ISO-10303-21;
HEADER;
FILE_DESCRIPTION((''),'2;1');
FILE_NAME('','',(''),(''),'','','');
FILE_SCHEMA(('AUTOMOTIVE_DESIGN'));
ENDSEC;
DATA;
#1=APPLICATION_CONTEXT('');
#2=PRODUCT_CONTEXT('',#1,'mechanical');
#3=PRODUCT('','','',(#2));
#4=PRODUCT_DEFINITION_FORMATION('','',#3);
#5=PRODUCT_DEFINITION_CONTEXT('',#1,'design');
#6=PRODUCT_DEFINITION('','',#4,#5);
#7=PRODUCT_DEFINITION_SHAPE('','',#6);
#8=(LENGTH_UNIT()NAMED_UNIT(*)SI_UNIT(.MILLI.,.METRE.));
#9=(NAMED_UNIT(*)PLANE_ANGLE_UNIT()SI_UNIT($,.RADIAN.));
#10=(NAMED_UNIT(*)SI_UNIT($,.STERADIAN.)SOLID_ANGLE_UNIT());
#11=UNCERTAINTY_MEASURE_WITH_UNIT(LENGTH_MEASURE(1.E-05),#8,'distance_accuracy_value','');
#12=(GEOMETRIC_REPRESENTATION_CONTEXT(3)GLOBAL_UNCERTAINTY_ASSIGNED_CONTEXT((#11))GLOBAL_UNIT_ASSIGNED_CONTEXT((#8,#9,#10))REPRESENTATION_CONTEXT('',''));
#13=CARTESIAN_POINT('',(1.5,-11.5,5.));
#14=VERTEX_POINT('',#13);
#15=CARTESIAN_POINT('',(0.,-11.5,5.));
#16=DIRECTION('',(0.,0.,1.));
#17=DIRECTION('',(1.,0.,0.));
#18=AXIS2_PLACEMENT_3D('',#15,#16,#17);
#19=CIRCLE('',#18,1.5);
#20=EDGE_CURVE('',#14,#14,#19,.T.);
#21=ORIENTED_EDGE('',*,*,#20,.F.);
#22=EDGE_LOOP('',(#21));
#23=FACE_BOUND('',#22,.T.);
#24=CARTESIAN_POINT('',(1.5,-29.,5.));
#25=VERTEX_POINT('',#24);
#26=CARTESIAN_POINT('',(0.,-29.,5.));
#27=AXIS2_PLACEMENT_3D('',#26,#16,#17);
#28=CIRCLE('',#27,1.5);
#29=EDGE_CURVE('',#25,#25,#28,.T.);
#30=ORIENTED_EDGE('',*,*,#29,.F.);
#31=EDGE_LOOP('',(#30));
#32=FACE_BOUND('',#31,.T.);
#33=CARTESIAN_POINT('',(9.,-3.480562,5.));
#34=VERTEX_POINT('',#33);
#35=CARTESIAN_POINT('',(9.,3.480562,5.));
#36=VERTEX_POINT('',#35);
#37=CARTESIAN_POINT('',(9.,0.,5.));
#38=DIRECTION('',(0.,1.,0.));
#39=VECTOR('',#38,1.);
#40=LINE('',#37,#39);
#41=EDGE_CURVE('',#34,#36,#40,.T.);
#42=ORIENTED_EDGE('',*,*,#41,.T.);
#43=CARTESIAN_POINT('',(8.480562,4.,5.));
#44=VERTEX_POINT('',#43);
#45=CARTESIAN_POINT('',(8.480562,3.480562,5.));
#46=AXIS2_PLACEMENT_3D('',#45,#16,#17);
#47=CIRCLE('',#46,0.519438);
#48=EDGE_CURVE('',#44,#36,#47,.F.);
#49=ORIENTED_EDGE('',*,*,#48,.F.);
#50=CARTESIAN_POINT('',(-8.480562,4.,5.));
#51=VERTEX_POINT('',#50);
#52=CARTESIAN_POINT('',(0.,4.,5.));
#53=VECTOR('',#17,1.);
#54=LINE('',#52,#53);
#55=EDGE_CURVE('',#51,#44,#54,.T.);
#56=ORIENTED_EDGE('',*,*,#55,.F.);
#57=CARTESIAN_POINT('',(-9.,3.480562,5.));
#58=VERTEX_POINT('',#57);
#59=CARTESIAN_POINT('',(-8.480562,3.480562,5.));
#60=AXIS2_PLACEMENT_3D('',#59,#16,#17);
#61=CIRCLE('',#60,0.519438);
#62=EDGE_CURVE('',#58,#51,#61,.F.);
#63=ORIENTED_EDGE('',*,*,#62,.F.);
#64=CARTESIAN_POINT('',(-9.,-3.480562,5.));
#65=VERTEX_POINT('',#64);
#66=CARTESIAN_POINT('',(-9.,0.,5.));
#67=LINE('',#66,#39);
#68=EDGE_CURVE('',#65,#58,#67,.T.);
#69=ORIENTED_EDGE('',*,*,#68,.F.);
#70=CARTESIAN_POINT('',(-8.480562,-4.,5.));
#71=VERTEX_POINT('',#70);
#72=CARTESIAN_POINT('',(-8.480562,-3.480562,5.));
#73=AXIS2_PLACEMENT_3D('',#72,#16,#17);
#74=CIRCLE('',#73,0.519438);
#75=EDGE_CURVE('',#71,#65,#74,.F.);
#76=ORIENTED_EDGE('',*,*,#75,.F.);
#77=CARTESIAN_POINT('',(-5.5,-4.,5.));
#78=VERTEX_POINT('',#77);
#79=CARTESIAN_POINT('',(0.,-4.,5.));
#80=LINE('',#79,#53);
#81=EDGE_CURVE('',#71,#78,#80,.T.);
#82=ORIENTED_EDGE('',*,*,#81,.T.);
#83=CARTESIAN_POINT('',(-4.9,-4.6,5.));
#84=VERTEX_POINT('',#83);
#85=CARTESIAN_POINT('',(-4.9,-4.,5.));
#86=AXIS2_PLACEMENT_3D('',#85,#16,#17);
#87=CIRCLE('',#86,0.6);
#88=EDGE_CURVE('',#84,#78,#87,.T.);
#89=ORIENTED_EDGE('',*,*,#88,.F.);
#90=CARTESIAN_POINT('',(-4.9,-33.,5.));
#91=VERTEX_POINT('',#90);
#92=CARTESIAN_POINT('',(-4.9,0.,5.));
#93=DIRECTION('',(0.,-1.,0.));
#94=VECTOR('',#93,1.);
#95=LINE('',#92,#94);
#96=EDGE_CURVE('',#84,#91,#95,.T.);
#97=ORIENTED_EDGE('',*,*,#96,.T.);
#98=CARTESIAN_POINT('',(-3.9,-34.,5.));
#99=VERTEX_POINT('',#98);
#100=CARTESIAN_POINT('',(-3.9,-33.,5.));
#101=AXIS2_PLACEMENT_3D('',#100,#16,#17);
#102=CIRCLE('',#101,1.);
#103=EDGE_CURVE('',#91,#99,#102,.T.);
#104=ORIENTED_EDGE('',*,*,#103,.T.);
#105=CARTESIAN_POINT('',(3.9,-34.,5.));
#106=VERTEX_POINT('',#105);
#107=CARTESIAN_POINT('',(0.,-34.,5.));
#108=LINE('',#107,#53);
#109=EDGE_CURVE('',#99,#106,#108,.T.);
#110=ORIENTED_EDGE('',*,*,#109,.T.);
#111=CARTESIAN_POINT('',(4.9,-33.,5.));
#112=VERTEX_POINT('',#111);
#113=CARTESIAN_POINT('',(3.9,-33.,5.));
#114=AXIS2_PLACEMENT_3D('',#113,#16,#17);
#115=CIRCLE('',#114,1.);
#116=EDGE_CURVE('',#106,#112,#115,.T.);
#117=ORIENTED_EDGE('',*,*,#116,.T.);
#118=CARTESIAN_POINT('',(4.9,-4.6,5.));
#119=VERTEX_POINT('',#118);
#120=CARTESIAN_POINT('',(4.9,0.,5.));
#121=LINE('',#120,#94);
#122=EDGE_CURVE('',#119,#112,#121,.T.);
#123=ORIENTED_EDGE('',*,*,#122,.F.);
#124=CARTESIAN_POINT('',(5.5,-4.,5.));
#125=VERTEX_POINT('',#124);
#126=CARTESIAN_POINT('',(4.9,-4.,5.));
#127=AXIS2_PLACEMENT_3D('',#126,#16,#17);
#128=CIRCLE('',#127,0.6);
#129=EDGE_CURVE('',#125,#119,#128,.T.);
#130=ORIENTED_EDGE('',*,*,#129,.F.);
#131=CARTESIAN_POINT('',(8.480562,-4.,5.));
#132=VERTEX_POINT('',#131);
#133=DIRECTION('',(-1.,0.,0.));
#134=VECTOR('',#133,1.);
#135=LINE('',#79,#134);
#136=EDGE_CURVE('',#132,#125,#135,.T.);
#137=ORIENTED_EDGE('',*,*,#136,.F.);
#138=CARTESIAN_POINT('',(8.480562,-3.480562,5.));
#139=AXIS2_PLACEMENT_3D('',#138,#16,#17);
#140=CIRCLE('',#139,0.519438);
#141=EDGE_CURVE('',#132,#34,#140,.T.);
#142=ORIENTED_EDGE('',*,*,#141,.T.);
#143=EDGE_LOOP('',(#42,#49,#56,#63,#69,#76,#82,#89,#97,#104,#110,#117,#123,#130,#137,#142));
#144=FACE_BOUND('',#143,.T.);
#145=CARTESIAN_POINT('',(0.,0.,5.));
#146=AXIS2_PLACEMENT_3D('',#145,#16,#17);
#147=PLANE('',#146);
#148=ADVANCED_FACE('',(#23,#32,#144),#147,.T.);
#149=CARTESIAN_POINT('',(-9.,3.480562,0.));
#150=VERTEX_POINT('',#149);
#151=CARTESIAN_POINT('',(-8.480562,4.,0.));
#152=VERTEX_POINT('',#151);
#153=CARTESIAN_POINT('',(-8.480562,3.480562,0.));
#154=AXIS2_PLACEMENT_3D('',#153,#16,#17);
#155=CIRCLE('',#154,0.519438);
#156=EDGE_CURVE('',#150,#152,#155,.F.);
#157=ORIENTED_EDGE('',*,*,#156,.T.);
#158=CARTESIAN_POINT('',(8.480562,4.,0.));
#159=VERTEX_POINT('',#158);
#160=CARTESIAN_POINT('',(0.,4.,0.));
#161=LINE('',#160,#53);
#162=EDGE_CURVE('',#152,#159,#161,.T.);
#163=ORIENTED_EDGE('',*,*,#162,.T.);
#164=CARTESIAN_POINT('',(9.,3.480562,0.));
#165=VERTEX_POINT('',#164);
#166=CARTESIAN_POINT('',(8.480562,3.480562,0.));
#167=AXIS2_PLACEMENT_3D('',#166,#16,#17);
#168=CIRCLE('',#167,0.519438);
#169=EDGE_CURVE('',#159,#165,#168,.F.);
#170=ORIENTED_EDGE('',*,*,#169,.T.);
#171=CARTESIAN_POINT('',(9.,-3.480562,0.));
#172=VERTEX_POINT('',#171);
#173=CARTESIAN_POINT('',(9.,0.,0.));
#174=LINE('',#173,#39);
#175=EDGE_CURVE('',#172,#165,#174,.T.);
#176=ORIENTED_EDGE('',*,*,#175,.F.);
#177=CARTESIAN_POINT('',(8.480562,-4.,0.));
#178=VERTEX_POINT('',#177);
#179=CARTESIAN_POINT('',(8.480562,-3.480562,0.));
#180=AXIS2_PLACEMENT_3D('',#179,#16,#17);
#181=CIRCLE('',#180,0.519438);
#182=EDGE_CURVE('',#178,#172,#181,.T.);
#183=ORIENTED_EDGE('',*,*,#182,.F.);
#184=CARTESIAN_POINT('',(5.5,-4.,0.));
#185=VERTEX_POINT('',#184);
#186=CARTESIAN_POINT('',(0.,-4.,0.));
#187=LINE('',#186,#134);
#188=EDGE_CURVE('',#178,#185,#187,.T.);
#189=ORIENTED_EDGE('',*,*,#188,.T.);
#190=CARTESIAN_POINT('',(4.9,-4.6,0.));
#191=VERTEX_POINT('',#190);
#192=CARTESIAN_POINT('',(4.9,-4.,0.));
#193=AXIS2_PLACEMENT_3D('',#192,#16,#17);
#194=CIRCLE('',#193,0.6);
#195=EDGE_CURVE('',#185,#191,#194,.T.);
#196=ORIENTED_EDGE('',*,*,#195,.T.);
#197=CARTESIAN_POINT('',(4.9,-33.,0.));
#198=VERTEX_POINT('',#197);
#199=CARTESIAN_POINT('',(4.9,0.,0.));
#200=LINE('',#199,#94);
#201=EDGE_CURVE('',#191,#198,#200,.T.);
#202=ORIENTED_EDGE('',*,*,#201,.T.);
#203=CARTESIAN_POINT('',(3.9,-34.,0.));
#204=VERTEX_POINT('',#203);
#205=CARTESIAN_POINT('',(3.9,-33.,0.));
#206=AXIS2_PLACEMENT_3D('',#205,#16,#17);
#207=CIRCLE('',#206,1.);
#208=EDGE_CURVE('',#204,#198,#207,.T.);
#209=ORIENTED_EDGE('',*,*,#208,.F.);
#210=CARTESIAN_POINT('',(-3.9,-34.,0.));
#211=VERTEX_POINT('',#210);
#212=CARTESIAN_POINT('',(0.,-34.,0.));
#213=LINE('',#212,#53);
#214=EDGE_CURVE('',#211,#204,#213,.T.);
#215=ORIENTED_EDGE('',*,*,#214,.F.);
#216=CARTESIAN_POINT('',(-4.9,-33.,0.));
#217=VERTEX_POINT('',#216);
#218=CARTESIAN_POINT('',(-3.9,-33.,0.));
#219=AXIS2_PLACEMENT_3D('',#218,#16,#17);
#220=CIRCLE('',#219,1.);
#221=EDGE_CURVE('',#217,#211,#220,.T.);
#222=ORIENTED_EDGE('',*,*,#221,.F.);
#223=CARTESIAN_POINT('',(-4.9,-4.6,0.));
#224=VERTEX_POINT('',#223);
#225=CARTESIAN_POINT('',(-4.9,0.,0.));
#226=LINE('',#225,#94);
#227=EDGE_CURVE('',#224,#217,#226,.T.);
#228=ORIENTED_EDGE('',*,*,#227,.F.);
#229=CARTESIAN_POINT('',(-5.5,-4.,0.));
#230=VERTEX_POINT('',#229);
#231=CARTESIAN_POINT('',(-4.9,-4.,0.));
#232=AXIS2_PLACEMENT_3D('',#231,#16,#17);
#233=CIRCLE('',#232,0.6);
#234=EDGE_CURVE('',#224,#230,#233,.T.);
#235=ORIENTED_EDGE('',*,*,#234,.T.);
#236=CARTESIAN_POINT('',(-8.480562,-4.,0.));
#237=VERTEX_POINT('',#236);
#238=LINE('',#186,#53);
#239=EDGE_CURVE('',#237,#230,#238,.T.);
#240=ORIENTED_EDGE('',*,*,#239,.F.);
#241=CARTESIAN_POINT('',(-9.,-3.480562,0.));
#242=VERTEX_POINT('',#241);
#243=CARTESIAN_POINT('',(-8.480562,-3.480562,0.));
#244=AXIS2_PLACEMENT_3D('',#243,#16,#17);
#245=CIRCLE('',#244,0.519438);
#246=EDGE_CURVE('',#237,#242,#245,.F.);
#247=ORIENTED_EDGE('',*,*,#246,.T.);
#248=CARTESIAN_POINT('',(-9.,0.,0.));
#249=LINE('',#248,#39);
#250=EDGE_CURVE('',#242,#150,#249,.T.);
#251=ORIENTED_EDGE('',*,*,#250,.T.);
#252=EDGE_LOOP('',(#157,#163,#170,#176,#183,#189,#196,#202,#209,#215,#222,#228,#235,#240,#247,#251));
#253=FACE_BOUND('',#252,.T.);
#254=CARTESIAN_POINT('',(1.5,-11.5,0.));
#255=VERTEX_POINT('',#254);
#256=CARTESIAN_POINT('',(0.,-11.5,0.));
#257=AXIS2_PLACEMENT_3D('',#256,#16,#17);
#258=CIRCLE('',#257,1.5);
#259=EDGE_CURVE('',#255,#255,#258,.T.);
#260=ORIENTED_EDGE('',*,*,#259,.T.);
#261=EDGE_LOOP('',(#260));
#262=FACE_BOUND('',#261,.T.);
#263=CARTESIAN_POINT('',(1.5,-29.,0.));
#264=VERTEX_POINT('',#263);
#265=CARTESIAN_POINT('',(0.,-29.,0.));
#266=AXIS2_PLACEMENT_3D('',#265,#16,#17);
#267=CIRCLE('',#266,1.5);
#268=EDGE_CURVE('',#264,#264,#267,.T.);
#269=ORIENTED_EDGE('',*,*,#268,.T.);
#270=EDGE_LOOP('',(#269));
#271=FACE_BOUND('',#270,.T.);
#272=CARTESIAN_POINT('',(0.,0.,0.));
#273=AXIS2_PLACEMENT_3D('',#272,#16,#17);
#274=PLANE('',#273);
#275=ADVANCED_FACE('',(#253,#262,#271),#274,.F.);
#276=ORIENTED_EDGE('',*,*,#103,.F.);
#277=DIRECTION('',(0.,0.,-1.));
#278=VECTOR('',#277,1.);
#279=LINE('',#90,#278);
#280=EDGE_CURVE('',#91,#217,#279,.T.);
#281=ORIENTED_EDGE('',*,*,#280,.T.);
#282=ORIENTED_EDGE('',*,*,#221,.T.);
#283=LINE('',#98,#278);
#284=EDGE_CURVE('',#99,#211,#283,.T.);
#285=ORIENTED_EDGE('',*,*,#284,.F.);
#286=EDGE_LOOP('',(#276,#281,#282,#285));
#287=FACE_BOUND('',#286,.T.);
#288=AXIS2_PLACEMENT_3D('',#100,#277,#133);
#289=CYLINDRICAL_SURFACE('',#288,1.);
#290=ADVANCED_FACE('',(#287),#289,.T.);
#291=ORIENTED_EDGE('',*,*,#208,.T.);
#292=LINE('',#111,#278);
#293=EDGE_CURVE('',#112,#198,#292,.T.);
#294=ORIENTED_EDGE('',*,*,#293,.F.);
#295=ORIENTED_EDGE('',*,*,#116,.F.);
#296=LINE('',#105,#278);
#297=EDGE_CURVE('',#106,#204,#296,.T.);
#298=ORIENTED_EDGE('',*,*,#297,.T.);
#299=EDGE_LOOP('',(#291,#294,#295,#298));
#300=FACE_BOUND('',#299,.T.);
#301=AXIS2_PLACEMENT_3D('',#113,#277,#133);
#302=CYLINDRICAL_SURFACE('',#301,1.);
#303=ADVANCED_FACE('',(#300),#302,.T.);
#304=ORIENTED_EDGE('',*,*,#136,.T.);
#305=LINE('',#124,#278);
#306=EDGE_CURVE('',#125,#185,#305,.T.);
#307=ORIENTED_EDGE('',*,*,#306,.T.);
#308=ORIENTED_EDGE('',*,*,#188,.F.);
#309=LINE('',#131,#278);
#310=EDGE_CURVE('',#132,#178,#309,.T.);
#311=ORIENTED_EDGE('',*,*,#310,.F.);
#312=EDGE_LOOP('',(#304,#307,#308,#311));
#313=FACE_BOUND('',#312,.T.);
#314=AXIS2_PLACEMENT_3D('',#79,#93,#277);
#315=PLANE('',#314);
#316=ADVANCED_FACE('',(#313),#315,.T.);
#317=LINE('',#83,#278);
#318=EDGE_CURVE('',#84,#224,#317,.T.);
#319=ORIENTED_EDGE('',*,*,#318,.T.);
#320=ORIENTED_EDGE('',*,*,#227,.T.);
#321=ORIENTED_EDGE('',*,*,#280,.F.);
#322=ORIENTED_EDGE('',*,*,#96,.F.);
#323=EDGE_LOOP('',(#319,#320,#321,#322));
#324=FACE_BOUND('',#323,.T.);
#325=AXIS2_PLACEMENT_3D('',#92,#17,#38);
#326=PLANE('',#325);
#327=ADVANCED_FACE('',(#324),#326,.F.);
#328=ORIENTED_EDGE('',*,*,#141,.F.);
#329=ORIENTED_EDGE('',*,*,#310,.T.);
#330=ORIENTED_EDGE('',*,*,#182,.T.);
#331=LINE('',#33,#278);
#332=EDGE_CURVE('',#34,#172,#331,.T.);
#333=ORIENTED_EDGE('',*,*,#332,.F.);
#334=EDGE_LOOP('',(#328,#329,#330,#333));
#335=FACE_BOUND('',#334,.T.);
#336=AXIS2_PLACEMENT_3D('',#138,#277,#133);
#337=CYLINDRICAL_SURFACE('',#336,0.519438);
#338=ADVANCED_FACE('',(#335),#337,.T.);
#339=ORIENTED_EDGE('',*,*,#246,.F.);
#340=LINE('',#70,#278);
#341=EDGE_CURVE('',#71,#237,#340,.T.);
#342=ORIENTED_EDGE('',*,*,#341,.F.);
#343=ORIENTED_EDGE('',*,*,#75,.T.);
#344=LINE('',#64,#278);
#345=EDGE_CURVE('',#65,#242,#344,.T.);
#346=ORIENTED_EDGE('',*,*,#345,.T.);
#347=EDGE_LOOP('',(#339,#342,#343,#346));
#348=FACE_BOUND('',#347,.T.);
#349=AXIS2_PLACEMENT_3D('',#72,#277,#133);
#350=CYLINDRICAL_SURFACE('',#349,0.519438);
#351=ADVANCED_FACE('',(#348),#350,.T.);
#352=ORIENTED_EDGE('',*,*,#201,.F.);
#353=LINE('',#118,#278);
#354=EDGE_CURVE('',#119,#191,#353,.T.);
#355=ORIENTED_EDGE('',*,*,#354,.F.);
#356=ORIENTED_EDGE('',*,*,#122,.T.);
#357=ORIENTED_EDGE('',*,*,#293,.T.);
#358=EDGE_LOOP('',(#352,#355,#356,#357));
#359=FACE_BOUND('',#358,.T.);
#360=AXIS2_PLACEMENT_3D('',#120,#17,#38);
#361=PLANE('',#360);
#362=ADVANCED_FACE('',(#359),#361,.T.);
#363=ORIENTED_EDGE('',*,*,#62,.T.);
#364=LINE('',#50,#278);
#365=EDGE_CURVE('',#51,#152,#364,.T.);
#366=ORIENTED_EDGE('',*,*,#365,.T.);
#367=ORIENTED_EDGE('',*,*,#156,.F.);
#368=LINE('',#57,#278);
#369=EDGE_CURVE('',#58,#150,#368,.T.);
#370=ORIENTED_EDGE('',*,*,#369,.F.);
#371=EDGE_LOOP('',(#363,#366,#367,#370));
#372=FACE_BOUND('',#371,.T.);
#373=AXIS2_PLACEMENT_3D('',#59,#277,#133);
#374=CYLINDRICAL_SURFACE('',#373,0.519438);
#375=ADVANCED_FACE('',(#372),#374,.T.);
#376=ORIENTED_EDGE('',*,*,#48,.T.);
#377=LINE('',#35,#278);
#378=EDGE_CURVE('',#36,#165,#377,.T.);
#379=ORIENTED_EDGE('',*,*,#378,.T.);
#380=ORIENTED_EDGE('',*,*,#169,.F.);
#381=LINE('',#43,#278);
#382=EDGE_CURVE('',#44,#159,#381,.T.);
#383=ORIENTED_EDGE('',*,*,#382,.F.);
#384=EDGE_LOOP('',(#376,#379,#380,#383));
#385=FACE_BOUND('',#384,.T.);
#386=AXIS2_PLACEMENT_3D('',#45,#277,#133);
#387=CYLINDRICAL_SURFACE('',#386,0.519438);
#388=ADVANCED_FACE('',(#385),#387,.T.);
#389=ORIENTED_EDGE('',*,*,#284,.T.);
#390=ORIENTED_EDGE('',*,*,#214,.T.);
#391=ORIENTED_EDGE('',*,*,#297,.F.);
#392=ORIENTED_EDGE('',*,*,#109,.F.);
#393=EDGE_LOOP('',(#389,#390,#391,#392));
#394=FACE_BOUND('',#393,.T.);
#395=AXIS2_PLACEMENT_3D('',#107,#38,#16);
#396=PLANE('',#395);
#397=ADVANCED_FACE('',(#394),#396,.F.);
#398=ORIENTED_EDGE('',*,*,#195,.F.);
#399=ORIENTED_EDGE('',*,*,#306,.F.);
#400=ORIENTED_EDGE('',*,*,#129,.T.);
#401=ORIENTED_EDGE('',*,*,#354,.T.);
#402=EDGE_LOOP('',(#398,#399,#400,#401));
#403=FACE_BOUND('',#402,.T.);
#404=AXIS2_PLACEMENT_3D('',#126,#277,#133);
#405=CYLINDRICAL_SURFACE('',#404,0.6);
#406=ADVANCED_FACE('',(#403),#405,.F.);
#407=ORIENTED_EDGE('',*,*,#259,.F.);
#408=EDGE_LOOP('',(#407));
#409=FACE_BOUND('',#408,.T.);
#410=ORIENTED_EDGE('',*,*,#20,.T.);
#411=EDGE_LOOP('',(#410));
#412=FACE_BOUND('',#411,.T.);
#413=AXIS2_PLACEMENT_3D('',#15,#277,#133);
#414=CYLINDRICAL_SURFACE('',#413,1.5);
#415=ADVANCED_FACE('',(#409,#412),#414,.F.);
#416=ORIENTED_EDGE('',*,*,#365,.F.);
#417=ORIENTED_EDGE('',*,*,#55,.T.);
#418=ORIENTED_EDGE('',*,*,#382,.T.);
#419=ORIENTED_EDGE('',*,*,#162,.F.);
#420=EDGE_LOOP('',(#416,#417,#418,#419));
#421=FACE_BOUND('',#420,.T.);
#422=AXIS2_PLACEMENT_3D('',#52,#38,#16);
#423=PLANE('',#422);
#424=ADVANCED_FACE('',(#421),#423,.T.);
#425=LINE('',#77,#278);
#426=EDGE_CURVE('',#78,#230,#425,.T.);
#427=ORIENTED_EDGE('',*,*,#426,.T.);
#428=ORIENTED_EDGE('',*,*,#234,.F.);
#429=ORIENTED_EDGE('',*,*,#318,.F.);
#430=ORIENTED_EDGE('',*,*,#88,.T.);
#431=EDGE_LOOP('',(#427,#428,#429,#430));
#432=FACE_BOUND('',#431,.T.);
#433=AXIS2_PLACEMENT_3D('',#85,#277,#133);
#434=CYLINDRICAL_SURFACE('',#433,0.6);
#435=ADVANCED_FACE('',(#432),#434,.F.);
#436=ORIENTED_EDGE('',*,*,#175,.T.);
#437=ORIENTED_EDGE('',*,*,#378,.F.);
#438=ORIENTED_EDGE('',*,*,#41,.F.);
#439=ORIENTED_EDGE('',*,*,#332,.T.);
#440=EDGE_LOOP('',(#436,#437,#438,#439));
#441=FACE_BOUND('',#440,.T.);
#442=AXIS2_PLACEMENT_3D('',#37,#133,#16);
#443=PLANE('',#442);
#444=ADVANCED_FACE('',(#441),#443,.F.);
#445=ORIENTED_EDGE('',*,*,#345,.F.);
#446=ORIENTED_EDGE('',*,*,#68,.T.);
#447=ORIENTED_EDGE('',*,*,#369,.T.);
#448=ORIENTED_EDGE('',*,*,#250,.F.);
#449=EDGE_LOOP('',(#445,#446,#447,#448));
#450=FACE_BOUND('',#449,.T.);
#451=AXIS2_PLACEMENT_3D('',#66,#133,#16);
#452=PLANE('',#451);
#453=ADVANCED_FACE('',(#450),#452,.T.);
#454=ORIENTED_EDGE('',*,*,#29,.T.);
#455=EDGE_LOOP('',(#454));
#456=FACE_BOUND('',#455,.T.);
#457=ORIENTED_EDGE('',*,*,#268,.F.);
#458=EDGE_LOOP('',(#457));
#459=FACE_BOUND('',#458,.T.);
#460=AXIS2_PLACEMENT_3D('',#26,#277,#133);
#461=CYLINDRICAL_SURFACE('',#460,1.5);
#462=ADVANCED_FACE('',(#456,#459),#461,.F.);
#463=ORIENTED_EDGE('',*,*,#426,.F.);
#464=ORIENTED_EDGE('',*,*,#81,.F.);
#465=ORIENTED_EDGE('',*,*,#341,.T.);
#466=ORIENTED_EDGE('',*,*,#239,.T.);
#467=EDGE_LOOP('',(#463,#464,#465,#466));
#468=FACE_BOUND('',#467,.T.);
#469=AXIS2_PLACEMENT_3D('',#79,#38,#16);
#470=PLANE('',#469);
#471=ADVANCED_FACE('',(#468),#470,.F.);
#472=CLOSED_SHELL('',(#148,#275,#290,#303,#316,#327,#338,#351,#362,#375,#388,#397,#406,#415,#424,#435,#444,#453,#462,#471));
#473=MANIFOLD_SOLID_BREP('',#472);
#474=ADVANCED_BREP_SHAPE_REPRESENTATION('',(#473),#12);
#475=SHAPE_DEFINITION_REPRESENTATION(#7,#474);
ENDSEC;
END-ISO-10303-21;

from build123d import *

# Parameters (mm, degrees)
SKETCH_1_R      = 1.5
EXTRUDE_1_DEPTH = 5


with BuildPart() as part:
    # 草图1 → 凸台-拉伸1 (new body)
    with BuildSketch(Plane.XY):
        with BuildLine():
            Line((-4.9, -4.6), (-4.9, -33))
            ThreePointArc((-4.9, -33), (-4.607106781, -33.707106781), (-3.9, -34))
            Line((-3.9, -34), (3.9, -34))
            ThreePointArc((3.9, -34), (4.607106781, -33.707106781), (4.9, -33))
            Line((4.9, -33), (4.9, -4.6))
            ThreePointArc((4.9, -4.6), (4.475735931, -3.575735931), (5.5, -4))
            Line((5.5, -4), (5.9, -4))
            Line((5.9, -4), (8.480562012, -4))
            ThreePointArc((8.480562012, -4), (8.847860136, -3.847860136), (9, -3.480562012))
            Line((9, -3.480562012), (9, 3.480562012))
            ThreePointArc((9, 3.480562012), (8.847860136, 3.847860136), (8.480562012, 4))
            Line((8.480562012, 4), (-8.480562012, 4))
            ThreePointArc((-8.480562012, 4), (-8.847860136, 3.847860136), (-9, 3.480562012))
            Line((-9, 3.480562012), (-9, -3.480562012))
            ThreePointArc((-9, -3.480562012), (-8.847860136, -3.847860136), (-8.480562012, -4))
            Line((-8.480562012, -4), (-5.9, -4))
            Line((-5.9, -4), (-5.5, -4))
            ThreePointArc((-5.5, -4), (-4.475735931, -3.575735931), (-4.9, -4.6))
        make_face()
        with Locations((0, -11.5)):
            Circle(SKETCH_1_R, mode=Mode.SUBTRACT)
        with Locations((0, -29)):
            Circle(SKETCH_1_R, mode=Mode.SUBTRACT)
    extrude(amount=EXTRUDE_1_DEPTH)


solid = part.part
